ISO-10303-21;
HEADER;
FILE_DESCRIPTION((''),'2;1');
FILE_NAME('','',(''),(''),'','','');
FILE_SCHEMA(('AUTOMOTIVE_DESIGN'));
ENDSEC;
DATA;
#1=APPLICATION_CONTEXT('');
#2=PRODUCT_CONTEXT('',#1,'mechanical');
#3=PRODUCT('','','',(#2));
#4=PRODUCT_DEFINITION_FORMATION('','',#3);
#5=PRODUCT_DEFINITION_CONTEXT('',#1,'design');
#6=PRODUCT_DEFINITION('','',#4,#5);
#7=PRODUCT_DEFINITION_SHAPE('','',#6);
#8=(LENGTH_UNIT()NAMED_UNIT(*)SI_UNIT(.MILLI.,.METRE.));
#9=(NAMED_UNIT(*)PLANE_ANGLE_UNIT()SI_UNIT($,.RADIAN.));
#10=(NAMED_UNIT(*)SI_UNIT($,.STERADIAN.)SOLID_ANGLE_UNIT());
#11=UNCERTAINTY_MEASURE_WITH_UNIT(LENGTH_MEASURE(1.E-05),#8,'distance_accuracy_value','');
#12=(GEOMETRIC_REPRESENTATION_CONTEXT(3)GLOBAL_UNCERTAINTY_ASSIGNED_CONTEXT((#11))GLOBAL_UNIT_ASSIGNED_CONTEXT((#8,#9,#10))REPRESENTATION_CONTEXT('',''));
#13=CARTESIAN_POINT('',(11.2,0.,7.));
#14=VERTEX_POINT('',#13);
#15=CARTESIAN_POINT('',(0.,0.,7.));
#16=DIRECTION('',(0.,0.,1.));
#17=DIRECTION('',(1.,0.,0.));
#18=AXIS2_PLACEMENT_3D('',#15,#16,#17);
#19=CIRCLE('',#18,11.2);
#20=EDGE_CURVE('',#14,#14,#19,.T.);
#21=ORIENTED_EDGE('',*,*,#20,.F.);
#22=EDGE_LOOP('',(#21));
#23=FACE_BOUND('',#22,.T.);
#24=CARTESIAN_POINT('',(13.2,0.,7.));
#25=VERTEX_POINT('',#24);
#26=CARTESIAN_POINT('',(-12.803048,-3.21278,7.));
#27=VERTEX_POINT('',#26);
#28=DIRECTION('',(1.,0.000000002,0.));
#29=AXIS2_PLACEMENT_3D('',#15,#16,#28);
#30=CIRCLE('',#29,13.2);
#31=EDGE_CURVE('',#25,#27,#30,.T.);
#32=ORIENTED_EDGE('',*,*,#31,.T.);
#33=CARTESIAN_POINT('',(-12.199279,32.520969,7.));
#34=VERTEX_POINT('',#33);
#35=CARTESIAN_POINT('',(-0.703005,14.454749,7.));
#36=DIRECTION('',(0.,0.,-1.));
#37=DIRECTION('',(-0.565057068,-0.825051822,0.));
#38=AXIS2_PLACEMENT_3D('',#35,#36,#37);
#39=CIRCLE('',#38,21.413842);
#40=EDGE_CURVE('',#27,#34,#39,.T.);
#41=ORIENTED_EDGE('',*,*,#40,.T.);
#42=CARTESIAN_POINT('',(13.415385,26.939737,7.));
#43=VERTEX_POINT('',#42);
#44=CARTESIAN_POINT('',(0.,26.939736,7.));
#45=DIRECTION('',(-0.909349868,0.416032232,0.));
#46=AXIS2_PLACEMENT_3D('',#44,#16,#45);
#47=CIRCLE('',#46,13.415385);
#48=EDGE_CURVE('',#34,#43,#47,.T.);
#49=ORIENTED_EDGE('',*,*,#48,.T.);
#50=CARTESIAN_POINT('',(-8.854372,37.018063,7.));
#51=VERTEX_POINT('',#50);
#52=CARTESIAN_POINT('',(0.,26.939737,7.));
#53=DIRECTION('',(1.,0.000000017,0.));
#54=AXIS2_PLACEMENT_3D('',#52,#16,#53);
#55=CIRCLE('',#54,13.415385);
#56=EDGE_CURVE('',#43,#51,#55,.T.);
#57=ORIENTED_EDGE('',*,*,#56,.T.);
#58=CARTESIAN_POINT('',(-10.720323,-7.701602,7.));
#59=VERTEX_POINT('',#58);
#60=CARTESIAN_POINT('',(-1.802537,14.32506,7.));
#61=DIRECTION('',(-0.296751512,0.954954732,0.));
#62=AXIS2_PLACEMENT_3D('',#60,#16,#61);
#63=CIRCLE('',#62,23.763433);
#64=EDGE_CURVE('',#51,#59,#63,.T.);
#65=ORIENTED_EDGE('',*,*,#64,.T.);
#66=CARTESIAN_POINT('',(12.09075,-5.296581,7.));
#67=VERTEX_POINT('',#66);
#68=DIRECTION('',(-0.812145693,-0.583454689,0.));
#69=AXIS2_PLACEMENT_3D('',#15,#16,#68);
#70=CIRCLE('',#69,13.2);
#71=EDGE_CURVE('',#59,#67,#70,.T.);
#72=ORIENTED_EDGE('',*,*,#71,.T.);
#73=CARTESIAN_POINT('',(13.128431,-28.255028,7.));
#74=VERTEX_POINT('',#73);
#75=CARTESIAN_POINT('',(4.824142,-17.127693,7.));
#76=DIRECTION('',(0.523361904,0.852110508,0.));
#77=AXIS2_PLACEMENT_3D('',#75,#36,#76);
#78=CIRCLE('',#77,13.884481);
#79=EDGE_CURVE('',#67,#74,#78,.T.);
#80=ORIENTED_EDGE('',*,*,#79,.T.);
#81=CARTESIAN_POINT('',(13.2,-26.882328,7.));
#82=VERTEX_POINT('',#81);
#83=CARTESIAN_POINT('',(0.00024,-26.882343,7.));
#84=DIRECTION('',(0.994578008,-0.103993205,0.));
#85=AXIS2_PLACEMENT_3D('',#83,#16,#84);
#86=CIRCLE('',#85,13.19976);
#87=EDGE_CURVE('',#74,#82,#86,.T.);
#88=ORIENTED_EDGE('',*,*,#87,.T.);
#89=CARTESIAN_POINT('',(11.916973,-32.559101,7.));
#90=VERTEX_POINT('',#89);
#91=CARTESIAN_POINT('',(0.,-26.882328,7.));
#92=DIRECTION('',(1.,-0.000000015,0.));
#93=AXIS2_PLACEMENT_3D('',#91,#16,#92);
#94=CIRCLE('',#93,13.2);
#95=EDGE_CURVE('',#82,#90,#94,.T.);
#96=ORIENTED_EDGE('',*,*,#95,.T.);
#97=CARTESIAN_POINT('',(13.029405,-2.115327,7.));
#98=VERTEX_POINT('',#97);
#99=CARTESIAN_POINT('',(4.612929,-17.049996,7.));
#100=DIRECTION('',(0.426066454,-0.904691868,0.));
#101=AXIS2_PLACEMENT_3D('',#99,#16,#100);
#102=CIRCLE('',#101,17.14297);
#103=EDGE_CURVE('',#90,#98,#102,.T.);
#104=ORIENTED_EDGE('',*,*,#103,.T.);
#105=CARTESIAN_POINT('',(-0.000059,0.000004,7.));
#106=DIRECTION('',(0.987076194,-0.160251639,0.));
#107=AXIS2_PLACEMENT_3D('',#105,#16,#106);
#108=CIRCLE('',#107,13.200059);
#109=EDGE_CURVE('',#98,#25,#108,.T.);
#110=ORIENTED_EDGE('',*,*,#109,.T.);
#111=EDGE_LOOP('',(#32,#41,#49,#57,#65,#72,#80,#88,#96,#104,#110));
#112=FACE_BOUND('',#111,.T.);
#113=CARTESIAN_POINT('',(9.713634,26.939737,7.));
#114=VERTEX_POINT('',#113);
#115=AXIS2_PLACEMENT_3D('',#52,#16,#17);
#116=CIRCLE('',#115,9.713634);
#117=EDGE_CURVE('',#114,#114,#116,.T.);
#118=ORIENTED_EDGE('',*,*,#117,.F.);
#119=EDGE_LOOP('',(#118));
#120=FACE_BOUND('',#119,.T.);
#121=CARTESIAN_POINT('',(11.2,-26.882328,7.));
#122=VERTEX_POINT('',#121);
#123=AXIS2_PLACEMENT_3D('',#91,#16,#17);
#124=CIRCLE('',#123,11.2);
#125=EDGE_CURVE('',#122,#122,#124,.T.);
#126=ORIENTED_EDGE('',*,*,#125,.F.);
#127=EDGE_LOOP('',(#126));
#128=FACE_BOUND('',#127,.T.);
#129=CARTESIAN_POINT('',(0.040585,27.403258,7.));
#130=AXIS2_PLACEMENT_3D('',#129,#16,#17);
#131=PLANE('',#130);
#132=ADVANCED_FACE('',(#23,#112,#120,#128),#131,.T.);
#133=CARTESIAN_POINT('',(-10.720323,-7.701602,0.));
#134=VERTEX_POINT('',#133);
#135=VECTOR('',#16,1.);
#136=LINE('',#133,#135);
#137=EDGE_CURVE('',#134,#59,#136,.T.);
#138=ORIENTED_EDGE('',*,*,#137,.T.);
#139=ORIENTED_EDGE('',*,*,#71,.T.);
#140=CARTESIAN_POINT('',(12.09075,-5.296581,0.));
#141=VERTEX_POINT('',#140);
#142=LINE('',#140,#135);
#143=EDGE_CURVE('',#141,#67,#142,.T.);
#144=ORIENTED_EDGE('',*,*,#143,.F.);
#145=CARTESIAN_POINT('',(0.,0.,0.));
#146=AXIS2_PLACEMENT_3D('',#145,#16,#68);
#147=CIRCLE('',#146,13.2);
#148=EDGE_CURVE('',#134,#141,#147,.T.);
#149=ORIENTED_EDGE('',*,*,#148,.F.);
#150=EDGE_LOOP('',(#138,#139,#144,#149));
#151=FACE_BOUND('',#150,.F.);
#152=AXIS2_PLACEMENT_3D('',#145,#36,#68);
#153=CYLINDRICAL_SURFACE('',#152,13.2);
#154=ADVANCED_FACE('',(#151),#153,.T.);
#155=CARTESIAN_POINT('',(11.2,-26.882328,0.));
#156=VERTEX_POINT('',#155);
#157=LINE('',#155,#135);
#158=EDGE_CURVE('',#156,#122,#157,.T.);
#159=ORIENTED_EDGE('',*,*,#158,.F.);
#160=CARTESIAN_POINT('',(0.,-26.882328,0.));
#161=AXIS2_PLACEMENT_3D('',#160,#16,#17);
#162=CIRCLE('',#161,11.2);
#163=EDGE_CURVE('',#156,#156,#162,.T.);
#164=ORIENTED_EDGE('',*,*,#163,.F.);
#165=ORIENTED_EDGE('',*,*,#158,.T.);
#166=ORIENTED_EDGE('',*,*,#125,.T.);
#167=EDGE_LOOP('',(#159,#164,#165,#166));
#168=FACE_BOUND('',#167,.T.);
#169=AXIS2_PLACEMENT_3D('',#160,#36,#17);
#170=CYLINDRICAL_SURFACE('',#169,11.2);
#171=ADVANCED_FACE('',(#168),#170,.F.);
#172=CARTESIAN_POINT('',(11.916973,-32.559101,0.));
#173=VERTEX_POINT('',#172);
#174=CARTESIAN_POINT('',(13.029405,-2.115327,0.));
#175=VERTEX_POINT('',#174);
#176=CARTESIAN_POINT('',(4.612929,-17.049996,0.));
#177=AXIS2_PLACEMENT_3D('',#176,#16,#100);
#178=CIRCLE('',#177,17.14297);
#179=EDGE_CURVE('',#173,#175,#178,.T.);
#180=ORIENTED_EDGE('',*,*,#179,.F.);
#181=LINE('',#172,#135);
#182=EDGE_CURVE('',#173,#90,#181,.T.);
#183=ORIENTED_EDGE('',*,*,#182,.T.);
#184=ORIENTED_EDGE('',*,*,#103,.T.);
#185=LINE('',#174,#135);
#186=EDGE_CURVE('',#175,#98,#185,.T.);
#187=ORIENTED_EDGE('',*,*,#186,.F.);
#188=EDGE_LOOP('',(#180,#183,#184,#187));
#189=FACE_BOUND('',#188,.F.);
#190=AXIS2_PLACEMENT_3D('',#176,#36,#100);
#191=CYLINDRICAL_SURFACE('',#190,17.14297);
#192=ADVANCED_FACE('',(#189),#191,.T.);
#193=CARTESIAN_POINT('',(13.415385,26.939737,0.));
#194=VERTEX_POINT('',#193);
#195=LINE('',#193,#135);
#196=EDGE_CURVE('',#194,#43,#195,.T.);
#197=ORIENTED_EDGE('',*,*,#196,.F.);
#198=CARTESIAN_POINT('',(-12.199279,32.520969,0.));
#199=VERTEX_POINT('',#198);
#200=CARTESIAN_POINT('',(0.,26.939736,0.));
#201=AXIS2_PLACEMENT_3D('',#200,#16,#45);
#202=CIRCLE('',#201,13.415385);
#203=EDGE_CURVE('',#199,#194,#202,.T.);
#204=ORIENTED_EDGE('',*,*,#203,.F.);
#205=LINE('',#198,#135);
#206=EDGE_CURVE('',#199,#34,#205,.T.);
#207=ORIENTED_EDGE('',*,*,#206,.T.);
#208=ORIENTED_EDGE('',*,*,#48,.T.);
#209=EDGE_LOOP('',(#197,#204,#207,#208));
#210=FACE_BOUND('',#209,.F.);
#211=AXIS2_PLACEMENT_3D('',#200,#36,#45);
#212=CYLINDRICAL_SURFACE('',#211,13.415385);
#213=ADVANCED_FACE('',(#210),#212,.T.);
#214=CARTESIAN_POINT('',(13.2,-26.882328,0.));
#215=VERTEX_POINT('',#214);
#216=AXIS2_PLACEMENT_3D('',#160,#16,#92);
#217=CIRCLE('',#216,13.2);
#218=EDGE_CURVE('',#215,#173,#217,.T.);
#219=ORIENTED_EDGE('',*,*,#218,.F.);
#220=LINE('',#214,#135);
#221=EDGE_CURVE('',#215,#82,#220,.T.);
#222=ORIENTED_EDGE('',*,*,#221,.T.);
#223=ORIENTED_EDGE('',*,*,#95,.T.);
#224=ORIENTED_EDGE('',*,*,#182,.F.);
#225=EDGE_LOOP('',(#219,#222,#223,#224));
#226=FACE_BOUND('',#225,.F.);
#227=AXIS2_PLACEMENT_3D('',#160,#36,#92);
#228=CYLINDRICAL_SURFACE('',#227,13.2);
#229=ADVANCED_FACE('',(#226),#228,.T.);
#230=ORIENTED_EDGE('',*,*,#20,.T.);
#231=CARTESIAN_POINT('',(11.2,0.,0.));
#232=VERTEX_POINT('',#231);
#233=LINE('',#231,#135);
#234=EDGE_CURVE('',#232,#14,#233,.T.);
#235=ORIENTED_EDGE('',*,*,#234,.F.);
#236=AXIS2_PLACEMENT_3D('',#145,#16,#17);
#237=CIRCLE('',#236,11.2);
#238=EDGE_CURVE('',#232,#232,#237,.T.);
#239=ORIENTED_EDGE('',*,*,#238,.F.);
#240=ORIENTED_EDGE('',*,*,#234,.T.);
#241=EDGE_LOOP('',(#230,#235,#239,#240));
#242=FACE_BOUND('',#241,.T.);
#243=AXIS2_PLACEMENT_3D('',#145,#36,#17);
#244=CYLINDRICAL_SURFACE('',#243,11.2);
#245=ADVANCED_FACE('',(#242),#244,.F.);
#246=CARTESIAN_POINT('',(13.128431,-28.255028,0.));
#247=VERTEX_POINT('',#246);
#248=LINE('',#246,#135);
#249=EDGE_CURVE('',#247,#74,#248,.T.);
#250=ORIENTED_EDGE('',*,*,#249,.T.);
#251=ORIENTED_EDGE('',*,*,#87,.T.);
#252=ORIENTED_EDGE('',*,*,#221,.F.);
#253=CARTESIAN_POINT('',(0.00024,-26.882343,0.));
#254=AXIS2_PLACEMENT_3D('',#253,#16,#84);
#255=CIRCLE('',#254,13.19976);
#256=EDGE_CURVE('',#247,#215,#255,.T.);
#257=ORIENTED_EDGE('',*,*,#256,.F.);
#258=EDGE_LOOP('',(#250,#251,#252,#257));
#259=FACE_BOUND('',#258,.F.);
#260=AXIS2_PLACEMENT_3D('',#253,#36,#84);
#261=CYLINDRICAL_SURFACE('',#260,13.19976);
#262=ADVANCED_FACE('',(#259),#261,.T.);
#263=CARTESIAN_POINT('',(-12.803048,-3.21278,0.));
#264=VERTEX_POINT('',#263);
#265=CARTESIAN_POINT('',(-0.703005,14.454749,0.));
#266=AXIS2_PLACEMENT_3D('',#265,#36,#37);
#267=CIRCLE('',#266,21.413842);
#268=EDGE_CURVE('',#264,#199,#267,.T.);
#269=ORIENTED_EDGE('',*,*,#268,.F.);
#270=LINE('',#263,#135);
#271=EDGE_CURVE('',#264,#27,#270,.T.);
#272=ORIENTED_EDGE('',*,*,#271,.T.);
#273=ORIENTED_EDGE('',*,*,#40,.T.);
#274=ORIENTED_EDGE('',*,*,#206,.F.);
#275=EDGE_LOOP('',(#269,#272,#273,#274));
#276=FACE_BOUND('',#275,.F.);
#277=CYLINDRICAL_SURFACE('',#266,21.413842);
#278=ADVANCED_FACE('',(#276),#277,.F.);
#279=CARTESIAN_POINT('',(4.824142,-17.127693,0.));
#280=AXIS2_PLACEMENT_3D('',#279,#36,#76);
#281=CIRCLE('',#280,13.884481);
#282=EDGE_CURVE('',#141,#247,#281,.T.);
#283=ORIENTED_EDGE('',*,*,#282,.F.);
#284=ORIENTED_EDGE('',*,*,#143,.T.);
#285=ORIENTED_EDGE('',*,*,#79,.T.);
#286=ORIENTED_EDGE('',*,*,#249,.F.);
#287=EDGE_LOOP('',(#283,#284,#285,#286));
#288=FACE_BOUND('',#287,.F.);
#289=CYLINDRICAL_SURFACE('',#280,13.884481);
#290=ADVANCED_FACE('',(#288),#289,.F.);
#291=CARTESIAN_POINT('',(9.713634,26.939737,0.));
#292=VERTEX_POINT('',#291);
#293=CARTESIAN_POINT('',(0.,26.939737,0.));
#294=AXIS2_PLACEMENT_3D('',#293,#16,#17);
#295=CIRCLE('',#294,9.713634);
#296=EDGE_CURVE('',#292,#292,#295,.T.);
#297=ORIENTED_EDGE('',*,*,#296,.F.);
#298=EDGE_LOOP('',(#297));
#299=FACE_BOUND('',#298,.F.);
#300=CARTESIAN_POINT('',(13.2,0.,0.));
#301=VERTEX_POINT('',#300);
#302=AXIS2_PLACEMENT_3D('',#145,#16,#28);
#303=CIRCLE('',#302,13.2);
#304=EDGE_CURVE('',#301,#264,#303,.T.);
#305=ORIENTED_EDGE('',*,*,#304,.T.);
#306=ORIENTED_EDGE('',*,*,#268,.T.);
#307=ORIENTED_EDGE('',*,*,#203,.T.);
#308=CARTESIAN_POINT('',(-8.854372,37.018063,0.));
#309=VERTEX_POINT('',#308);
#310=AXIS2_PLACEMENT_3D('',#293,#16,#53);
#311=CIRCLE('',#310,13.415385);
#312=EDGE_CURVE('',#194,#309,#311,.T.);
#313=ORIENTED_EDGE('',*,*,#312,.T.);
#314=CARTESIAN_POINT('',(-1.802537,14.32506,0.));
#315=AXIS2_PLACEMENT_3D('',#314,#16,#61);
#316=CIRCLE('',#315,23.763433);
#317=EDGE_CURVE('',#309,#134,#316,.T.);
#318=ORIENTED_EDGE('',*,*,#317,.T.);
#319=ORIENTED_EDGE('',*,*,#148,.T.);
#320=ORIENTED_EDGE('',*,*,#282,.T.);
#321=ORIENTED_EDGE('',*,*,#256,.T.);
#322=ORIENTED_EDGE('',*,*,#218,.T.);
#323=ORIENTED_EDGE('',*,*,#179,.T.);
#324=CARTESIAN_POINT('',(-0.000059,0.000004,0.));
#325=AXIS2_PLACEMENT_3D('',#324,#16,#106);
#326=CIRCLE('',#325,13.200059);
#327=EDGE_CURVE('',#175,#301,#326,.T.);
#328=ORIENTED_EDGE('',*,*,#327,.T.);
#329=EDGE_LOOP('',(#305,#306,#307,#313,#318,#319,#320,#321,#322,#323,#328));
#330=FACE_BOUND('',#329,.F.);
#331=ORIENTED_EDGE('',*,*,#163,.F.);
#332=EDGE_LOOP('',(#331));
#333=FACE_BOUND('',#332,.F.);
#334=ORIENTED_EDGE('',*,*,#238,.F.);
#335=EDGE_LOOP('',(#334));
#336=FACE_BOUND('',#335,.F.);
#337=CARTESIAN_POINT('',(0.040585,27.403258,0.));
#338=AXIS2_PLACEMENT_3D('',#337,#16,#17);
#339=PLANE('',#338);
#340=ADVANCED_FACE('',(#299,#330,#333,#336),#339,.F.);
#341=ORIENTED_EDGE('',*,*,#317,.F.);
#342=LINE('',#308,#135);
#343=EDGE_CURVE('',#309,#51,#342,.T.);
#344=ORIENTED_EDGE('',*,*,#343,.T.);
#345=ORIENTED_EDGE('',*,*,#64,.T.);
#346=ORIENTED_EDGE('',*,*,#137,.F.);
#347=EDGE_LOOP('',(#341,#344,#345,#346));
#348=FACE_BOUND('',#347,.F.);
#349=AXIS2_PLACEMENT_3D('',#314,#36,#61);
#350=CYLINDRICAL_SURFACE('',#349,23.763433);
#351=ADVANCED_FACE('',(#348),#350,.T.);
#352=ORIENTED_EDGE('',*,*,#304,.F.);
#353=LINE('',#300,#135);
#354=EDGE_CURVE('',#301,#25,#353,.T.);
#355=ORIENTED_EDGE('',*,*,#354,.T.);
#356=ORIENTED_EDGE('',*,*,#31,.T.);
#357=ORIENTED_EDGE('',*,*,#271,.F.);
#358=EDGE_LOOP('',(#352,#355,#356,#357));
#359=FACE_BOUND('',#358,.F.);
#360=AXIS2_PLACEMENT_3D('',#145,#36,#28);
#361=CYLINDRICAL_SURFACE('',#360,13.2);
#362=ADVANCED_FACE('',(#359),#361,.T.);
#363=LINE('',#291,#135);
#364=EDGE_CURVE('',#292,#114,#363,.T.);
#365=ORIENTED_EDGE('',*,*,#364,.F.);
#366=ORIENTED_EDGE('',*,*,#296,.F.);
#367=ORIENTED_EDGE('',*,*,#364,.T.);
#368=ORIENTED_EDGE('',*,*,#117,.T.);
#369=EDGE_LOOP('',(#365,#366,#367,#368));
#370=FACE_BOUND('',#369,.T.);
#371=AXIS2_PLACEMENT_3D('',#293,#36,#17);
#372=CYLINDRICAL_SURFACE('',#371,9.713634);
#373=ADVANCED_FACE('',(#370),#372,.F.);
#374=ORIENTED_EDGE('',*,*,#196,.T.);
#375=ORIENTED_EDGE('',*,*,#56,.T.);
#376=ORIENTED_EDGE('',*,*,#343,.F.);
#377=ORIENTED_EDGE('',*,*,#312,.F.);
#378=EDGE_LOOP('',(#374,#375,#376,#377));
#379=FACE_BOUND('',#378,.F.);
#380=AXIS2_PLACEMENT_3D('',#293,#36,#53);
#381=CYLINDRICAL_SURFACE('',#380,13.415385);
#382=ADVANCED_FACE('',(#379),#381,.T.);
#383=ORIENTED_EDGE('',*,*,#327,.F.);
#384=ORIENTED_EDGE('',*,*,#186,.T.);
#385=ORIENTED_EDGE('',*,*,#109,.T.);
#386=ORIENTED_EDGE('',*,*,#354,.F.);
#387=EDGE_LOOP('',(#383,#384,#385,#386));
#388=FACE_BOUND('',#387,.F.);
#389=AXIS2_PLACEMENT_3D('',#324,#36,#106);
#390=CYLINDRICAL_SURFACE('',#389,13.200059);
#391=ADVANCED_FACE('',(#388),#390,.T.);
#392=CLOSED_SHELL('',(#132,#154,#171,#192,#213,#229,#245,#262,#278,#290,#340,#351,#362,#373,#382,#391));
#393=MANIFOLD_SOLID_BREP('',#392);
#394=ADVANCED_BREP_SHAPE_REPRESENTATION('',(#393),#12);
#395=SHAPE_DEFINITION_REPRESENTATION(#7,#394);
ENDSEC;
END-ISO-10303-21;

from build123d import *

# Parameters (mm, degrees)
F0_R     = 9.713634
F0_R_2   = 11.2
F1_DEPTH = 7


with BuildPart() as f1:
    # F0 (on Top) → F1 (new body)
    with BuildSketch(Plane.XY):
        with BuildLine():
            ThreePointArc((-8.854372, 37.018063), (-10.764294, 34.946143), (-12.199279, 32.520969))
            ThreePointArc((-12.199279, 32.520969), (-2.856093, 13.831903), (13.415385, 26.939737))
            ThreePointArc((13.415385, 26.939737), (5.531173, 39.161794), (-8.854372, 37.018063))
        make_face()
        with Locations((0, 26.939737)):
            Circle(F0_R, mode=Mode.SUBTRACT)
        with BuildLine():
            ThreePointArc((13.029405, -2.115327), (13.157282, -1.061097), (13.2, 0))
            ThreePointArc((13.2, 0), (-1.618605, 13.100386), (-12.803048, -3.21278))
            ThreePointArc((-12.803048, -3.21278), (-11.973915, -5.555661), (-10.720323, -7.701602))
            ThreePointArc((-10.720323, -7.701602), (1.384033, -13.127241), (12.09075, -5.296581))
            ThreePointArc((12.09075, -5.296581), (12.660396, -3.735554), (13.029405, -2.115327))
        make_face()
        Circle(F0_R_2, mode=Mode.SUBTRACT)
        with BuildLine():
            ThreePointArc((11.916973, -32.559101), (21.744465, -17.675992), (13.029405, -2.115327))
            ThreePointArc((13.029405, -2.115327), (12.660396, -3.735554), (12.09075, -5.296581))
            ThreePointArc((12.09075, -5.296581), (18.694462, -16.500779), (13.128431, -28.255028))
            ThreePointArc((13.128431, -28.255028), (12.706271, -30.458733), (11.916973, -32.559101))
        make_face()
        with BuildLine():
            ThreePointArc((13.2, -26.882328), (-12.875248, -23.972349), (11.916973, -32.559101))
            ThreePointArc((11.916973, -32.559101), (12.706271, -30.458733), (13.128431, -28.255028))
            ThreePointArc((13.128431, -28.255028), (13.182096, -27.56961), (13.2, -26.882328))
        make_face()
        with Locations((0, -26.882328)):
            Circle(F0_R_2, mode=Mode.SUBTRACT)
        with BuildLine():
            ThreePointArc((-10.720323, -7.701602), (-11.973915, -5.555661), (-12.803048, -3.21278))
            ThreePointArc((-12.803048, -3.21278), (-22.113791, 14.816513), (-12.199279, 32.520969))
            ThreePointArc((-12.199279, 32.520969), (-10.764294, 34.946143), (-8.854372, 37.018063))
            ThreePointArc((-8.854372, 37.018063), (-25.545311, 15.31574), (-10.720323, -7.701602))
        make_face()
    extrude(amount=F1_DEPTH)


solid = f1.part
